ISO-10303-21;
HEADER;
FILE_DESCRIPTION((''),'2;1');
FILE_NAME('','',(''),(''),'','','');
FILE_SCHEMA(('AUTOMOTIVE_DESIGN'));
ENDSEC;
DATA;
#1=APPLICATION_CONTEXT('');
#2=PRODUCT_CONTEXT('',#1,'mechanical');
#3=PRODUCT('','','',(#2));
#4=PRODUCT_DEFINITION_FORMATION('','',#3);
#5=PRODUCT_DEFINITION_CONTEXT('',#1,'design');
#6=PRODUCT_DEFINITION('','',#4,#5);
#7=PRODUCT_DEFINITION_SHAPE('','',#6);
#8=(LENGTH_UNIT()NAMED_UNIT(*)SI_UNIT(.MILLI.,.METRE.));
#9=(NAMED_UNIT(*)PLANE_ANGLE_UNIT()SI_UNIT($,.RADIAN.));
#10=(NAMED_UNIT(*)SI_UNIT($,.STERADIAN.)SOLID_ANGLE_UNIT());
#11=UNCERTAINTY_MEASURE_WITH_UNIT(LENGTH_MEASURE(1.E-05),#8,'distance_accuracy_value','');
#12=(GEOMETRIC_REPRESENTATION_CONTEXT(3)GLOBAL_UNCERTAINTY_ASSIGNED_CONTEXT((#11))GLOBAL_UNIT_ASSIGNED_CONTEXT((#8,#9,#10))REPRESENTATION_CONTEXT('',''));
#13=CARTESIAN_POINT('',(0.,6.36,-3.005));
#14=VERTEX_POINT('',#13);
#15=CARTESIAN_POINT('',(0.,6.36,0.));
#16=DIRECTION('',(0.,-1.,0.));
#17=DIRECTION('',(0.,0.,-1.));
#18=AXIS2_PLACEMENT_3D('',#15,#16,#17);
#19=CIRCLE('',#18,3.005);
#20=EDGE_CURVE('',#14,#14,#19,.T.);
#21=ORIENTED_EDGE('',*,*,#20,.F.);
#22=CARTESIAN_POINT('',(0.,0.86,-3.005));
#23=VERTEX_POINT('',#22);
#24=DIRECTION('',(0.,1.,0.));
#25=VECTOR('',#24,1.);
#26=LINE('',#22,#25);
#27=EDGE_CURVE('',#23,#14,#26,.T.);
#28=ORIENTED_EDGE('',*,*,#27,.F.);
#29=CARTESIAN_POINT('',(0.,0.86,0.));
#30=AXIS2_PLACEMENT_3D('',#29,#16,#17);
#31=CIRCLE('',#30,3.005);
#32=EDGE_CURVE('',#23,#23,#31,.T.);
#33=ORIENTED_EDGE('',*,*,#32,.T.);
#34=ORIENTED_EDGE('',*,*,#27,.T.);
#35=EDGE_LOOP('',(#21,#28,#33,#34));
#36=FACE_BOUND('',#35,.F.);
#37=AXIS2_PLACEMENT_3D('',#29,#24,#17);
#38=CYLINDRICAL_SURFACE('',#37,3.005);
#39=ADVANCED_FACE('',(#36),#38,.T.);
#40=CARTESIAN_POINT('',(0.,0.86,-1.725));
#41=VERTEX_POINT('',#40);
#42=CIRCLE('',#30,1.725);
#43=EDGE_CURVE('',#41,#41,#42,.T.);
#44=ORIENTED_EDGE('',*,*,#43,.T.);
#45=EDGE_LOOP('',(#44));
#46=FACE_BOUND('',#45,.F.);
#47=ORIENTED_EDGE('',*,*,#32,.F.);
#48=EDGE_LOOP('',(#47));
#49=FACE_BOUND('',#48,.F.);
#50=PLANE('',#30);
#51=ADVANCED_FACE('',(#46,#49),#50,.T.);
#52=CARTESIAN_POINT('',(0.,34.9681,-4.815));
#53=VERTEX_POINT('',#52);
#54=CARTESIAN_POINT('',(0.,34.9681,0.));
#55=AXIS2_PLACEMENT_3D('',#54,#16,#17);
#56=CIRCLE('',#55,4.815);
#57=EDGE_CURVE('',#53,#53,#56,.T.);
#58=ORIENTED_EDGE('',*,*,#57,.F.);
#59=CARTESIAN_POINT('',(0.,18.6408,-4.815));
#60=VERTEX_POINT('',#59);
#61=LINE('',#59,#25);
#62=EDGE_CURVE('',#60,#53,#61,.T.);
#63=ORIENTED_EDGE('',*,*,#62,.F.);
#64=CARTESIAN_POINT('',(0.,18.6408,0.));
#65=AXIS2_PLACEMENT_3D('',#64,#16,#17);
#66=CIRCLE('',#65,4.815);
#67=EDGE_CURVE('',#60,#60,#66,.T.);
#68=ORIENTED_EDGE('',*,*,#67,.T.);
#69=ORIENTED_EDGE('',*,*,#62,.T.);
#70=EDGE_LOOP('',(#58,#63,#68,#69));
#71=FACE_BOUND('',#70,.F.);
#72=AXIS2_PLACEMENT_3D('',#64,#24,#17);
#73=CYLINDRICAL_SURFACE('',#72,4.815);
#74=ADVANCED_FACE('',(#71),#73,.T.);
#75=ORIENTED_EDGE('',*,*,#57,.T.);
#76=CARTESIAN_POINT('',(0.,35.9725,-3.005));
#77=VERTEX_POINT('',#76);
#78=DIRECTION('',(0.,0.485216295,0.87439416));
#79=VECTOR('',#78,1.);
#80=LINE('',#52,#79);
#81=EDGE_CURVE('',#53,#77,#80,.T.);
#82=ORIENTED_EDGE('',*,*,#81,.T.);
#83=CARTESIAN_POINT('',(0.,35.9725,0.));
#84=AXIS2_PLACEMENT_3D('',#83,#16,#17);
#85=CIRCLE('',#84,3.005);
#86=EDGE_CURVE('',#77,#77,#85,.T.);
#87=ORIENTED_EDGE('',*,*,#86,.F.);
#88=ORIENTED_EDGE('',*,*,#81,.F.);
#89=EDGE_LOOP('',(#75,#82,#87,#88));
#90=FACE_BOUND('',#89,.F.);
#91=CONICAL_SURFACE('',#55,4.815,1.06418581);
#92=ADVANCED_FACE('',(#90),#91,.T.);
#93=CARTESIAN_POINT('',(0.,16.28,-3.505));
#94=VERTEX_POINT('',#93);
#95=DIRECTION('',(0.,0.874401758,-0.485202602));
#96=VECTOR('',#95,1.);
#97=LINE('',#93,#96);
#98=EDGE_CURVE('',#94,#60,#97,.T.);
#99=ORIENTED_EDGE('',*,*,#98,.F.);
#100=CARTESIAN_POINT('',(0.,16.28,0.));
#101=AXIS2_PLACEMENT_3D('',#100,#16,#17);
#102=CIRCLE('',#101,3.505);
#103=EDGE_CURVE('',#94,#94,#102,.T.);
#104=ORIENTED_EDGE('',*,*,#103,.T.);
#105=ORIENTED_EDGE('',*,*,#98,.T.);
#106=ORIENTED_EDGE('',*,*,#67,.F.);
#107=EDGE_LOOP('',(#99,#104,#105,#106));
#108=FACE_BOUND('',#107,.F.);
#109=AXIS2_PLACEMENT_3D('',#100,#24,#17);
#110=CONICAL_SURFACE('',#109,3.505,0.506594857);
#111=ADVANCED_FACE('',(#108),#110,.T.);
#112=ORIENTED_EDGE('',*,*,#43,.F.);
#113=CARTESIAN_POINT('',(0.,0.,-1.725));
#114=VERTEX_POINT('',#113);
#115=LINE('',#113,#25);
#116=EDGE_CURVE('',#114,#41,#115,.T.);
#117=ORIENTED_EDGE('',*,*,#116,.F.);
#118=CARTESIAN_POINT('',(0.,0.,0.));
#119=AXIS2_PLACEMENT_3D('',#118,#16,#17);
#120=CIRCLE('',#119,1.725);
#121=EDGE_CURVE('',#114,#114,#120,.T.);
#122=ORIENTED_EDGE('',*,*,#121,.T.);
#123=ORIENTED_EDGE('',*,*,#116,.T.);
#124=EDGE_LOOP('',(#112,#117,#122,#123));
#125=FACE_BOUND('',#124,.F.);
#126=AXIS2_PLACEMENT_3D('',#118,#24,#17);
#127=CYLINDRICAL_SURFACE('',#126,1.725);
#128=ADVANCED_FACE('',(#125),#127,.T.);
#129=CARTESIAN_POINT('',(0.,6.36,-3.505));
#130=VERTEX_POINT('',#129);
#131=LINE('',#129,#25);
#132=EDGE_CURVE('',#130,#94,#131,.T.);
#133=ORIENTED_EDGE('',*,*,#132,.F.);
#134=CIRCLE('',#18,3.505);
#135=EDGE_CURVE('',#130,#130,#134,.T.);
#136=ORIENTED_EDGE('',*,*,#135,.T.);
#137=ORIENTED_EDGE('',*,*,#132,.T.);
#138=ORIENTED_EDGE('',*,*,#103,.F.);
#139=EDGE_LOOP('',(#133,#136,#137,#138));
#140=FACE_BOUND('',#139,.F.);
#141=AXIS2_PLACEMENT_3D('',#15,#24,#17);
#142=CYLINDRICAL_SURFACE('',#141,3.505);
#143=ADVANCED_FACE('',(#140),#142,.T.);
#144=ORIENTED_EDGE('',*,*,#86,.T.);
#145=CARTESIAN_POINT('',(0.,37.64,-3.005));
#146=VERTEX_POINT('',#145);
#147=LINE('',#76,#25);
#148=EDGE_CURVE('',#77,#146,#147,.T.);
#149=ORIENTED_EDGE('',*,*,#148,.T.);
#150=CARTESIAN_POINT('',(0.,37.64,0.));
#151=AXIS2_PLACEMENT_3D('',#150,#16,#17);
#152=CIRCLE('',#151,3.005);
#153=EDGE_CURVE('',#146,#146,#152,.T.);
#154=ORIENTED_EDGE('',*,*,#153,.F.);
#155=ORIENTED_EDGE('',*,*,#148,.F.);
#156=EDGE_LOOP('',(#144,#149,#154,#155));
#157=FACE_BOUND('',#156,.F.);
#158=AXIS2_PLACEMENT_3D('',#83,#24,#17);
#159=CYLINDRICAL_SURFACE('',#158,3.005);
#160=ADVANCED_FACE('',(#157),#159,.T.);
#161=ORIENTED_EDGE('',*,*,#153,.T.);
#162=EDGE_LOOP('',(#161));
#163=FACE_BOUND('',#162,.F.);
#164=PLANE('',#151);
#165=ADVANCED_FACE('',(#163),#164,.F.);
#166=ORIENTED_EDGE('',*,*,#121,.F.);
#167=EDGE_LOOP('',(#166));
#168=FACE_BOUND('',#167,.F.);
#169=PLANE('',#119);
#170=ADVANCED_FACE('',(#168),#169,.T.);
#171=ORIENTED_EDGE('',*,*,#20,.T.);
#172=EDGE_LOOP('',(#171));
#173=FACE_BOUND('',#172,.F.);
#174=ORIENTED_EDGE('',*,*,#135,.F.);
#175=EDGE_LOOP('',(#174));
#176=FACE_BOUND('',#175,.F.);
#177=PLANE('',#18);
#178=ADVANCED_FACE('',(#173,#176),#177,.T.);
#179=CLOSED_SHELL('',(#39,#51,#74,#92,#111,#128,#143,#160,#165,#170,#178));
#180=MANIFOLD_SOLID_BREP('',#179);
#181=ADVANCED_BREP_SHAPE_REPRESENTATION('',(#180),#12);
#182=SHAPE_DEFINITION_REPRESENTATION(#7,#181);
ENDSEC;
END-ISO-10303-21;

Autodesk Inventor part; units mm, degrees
ref_plane "YZ Plane" through (0, 0, 0) normal (1, 0, 0) x (0, 1, 0)
ref_plane "XZ Plane" through (0, 0, 0) normal (0, 1, 0) x (-1, 0, 0)
ref_plane "XY Plane" through (0, 0, 0) normal (0, 0, 1) x (1, 0, 0)
sketch "Sketch1" plane through (0, 0, 0) normal (1, 0, 0) x (0, 1, 0)
  line L0 (0, 0) -> (0, -1.725)
  line L1 (0, -1.725) -> (0.86, -1.725)
  line L2 (0.86, -1.725) -> (0.86, -3.005)
  line L3 (0.86, -3.005) -> (6.36, -3.005)
  line L4 (6.36, -3.005) -> (6.36, -3.505)
  line L5 (6.36, -3.505) -> (16.28, -3.505)
  line L6 (16.28, -3.505) -> (18.6408, -4.815)
  line L7 (18.6408, -4.815) -> (34.9681, -4.815)
  line L8 (34.9681, -4.815) -> (35.9725, -3.005)
  line L9 (35.9725, -3.005) -> (37.64, -3.005)
  line L10 (37.64, -3.005) -> (37.64, 0)
  line L11 (37.64, 0) -> (0, 0)
  dimension "d0" = 1.725
  dimension "d1" = 0.86
  dimension "d2" = 1.28
  dimension "d3" = 90
  dimension "d4" = 5.5
  dimension "d5" = 0.5
  dimension "d6" = 9.92
  dimension "d7" = 4.815
  dimension "d8" = 37.64
revolve "Revolution1" add sketch "Sketch1" angle 360 about axis through (0, 37.64, 0) along (0, -1, 0)
properties part number "00_RS_Pro_Micrometer_small"
